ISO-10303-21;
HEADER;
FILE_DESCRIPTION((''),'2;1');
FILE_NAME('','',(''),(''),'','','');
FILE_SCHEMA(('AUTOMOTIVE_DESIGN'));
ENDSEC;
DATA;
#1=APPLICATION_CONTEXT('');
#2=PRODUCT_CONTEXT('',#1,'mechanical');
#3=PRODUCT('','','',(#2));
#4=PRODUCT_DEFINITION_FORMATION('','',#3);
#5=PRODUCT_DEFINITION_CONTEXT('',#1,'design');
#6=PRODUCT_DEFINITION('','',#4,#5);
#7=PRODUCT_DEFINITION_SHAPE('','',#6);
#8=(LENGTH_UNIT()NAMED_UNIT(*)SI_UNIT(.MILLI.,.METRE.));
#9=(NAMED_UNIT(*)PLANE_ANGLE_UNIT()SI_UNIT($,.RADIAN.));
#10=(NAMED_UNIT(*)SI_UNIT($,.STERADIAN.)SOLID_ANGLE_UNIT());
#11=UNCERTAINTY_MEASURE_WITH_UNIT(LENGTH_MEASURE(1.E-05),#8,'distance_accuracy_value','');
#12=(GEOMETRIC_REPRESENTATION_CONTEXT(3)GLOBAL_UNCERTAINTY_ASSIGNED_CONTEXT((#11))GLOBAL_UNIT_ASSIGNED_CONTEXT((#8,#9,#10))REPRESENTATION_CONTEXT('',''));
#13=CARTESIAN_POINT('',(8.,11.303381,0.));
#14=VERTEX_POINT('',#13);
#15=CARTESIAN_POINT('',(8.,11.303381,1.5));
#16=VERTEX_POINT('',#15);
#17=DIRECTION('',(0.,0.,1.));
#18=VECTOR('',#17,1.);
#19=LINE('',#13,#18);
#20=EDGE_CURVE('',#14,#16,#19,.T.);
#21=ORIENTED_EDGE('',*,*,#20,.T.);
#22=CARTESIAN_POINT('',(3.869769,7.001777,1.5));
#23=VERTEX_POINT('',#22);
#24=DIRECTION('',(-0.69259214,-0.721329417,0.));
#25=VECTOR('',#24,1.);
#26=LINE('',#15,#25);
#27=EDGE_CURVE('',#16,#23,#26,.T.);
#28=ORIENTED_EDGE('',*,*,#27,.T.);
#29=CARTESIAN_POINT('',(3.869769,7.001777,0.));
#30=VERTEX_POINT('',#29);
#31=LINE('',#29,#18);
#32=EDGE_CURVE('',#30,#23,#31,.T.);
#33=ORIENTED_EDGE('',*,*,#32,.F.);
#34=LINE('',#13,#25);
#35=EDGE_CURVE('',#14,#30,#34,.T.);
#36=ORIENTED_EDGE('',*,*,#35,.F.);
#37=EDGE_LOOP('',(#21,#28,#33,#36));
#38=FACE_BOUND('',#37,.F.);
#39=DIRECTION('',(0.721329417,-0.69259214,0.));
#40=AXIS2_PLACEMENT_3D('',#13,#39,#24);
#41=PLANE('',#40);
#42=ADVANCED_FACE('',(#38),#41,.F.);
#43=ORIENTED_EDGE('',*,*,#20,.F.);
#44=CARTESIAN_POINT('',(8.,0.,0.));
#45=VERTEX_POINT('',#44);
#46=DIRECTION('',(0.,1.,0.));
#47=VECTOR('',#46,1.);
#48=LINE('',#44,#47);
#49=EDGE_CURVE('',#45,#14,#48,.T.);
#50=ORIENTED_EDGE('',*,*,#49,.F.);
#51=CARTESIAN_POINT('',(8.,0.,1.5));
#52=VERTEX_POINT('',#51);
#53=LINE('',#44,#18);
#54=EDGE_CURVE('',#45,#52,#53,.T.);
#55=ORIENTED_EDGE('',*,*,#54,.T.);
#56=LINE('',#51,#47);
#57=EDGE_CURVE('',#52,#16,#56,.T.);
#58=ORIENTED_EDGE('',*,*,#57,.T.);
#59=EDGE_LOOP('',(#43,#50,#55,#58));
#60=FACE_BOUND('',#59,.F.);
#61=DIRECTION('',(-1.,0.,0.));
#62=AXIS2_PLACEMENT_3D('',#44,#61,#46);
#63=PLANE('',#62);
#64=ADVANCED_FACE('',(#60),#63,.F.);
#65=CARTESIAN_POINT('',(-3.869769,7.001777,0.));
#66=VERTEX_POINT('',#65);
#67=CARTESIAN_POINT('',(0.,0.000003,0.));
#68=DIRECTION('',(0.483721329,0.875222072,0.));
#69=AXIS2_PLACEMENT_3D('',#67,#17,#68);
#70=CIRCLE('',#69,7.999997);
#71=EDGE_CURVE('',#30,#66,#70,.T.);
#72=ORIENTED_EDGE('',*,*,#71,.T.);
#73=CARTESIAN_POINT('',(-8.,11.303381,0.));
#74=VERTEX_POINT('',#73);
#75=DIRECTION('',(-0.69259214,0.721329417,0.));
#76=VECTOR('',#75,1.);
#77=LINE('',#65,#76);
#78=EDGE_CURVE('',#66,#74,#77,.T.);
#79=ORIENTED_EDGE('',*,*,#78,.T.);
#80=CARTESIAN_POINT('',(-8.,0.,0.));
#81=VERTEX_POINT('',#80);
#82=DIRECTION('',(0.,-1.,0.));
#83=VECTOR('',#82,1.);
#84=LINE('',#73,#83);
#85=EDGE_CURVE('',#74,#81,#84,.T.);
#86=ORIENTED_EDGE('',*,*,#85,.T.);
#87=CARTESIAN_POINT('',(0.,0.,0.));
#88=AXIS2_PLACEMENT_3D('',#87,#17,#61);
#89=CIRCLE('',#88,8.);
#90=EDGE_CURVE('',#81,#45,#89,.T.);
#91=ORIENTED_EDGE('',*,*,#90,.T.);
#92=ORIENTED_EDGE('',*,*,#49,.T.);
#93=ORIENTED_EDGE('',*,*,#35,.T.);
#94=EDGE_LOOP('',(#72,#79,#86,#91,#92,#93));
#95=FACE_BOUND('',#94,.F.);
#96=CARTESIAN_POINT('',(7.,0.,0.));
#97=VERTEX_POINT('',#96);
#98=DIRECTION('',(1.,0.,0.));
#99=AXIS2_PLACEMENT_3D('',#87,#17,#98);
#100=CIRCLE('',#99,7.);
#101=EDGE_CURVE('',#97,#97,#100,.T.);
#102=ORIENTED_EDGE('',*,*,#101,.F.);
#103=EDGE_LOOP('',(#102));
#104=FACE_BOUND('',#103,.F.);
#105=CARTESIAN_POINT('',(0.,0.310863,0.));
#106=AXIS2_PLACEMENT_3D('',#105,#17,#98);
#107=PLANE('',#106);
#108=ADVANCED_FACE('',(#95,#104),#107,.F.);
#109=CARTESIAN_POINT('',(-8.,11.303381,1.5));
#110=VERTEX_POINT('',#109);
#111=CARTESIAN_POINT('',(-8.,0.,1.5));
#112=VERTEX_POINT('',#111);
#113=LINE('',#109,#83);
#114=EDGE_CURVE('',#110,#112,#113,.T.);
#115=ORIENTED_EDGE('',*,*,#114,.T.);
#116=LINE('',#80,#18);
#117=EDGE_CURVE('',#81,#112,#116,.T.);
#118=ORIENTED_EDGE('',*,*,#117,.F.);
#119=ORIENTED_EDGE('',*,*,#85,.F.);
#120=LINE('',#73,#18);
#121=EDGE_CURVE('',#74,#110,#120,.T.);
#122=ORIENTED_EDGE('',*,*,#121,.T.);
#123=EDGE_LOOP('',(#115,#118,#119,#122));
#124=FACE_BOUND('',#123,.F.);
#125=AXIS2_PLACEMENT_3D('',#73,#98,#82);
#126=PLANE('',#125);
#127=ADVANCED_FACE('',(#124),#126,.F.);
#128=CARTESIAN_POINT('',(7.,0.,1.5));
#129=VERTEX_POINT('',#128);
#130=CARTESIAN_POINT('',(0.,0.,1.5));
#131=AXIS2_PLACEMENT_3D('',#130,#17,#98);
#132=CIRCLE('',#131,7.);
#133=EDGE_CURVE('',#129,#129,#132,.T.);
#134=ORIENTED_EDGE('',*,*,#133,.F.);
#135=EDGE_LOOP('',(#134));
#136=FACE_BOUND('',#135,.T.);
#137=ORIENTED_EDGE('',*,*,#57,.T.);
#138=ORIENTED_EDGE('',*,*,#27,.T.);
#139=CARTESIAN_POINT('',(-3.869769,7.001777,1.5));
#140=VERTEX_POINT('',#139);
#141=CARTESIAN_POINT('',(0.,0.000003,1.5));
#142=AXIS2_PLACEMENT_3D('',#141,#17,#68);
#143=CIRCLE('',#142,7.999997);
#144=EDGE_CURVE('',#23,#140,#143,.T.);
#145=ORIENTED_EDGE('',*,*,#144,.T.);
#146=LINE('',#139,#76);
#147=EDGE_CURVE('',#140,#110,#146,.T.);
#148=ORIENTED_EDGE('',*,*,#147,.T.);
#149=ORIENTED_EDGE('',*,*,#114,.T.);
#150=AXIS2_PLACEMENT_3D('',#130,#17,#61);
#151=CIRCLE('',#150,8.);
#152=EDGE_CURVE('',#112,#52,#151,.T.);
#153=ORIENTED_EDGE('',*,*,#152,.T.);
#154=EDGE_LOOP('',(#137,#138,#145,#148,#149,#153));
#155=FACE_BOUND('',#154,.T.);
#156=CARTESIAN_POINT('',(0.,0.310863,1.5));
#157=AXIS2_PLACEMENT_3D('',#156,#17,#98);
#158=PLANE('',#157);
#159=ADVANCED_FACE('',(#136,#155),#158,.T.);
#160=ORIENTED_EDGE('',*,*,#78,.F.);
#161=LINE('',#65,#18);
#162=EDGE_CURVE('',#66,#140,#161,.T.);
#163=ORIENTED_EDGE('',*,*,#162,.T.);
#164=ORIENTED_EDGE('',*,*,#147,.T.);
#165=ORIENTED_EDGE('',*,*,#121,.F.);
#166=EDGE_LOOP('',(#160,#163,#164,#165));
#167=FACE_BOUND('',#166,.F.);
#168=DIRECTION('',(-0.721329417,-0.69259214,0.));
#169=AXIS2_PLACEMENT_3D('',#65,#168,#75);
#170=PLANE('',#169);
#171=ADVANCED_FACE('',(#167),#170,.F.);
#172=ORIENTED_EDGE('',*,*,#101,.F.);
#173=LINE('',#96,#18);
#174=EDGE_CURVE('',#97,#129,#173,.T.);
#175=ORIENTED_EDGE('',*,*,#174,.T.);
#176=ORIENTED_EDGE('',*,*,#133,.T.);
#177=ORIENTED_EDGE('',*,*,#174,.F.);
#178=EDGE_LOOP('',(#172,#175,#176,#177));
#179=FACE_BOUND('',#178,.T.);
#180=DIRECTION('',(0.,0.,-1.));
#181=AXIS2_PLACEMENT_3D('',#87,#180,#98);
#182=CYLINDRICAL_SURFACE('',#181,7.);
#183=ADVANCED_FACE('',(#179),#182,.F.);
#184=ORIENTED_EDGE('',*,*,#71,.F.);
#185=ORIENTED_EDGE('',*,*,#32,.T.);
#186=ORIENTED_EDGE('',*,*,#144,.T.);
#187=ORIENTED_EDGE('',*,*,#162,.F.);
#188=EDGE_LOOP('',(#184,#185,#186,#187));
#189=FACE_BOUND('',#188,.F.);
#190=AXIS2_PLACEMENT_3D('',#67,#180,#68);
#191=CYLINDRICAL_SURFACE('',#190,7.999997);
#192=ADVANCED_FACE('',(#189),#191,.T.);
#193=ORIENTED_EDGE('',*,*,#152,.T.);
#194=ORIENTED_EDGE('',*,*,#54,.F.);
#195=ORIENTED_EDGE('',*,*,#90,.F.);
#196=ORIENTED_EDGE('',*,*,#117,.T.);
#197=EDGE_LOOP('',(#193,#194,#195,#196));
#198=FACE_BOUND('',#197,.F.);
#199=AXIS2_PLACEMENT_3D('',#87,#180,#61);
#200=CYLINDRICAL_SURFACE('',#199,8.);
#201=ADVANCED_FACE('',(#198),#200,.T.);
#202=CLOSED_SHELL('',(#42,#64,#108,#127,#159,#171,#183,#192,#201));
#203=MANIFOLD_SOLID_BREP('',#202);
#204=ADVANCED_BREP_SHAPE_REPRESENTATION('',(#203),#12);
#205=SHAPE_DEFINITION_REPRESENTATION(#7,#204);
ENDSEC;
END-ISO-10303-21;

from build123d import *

# Parameters (mm, degrees)
F0_R     = 7
F1_DEPTH = 1.5


with BuildPart() as f1:
    # F0 (on Top) → F1 (new body)
    with BuildSketch(Plane.XY):
        with BuildLine():
            ThreePointArc((-8, 0), (0, -8), (8, 0))
            ThreePointArc((8, 0), (6.890506, 4.064594), (3.869769, 7.001777))
            ThreePointArc((3.869769, 7.001777), (0, 8), (-3.869769, 7.001777))
            ThreePointArc((-3.869769, 7.001777), (-6.890506, 4.064594), (-8, 0))
        make_face()
        Circle(F0_R, mode=Mode.SUBTRACT)
        with BuildLine():
            ThreePointArc((3.869769, 7.001777), (6.890506, 4.064594), (8, 0))
            Line((8, 0), (8, 11.303381))
            Line((8, 11.303381), (3.869769, 7.001777))
        make_face()
        with BuildLine():
            Line((-8, 11.303381), (-8, 0))
            ThreePointArc((-8, 0), (-6.890506, 4.064594), (-3.869769, 7.001777))
            Line((-3.869769, 7.001777), (-8, 11.303381))
        make_face()
    extrude(amount=F1_DEPTH)


solid = f1.part
